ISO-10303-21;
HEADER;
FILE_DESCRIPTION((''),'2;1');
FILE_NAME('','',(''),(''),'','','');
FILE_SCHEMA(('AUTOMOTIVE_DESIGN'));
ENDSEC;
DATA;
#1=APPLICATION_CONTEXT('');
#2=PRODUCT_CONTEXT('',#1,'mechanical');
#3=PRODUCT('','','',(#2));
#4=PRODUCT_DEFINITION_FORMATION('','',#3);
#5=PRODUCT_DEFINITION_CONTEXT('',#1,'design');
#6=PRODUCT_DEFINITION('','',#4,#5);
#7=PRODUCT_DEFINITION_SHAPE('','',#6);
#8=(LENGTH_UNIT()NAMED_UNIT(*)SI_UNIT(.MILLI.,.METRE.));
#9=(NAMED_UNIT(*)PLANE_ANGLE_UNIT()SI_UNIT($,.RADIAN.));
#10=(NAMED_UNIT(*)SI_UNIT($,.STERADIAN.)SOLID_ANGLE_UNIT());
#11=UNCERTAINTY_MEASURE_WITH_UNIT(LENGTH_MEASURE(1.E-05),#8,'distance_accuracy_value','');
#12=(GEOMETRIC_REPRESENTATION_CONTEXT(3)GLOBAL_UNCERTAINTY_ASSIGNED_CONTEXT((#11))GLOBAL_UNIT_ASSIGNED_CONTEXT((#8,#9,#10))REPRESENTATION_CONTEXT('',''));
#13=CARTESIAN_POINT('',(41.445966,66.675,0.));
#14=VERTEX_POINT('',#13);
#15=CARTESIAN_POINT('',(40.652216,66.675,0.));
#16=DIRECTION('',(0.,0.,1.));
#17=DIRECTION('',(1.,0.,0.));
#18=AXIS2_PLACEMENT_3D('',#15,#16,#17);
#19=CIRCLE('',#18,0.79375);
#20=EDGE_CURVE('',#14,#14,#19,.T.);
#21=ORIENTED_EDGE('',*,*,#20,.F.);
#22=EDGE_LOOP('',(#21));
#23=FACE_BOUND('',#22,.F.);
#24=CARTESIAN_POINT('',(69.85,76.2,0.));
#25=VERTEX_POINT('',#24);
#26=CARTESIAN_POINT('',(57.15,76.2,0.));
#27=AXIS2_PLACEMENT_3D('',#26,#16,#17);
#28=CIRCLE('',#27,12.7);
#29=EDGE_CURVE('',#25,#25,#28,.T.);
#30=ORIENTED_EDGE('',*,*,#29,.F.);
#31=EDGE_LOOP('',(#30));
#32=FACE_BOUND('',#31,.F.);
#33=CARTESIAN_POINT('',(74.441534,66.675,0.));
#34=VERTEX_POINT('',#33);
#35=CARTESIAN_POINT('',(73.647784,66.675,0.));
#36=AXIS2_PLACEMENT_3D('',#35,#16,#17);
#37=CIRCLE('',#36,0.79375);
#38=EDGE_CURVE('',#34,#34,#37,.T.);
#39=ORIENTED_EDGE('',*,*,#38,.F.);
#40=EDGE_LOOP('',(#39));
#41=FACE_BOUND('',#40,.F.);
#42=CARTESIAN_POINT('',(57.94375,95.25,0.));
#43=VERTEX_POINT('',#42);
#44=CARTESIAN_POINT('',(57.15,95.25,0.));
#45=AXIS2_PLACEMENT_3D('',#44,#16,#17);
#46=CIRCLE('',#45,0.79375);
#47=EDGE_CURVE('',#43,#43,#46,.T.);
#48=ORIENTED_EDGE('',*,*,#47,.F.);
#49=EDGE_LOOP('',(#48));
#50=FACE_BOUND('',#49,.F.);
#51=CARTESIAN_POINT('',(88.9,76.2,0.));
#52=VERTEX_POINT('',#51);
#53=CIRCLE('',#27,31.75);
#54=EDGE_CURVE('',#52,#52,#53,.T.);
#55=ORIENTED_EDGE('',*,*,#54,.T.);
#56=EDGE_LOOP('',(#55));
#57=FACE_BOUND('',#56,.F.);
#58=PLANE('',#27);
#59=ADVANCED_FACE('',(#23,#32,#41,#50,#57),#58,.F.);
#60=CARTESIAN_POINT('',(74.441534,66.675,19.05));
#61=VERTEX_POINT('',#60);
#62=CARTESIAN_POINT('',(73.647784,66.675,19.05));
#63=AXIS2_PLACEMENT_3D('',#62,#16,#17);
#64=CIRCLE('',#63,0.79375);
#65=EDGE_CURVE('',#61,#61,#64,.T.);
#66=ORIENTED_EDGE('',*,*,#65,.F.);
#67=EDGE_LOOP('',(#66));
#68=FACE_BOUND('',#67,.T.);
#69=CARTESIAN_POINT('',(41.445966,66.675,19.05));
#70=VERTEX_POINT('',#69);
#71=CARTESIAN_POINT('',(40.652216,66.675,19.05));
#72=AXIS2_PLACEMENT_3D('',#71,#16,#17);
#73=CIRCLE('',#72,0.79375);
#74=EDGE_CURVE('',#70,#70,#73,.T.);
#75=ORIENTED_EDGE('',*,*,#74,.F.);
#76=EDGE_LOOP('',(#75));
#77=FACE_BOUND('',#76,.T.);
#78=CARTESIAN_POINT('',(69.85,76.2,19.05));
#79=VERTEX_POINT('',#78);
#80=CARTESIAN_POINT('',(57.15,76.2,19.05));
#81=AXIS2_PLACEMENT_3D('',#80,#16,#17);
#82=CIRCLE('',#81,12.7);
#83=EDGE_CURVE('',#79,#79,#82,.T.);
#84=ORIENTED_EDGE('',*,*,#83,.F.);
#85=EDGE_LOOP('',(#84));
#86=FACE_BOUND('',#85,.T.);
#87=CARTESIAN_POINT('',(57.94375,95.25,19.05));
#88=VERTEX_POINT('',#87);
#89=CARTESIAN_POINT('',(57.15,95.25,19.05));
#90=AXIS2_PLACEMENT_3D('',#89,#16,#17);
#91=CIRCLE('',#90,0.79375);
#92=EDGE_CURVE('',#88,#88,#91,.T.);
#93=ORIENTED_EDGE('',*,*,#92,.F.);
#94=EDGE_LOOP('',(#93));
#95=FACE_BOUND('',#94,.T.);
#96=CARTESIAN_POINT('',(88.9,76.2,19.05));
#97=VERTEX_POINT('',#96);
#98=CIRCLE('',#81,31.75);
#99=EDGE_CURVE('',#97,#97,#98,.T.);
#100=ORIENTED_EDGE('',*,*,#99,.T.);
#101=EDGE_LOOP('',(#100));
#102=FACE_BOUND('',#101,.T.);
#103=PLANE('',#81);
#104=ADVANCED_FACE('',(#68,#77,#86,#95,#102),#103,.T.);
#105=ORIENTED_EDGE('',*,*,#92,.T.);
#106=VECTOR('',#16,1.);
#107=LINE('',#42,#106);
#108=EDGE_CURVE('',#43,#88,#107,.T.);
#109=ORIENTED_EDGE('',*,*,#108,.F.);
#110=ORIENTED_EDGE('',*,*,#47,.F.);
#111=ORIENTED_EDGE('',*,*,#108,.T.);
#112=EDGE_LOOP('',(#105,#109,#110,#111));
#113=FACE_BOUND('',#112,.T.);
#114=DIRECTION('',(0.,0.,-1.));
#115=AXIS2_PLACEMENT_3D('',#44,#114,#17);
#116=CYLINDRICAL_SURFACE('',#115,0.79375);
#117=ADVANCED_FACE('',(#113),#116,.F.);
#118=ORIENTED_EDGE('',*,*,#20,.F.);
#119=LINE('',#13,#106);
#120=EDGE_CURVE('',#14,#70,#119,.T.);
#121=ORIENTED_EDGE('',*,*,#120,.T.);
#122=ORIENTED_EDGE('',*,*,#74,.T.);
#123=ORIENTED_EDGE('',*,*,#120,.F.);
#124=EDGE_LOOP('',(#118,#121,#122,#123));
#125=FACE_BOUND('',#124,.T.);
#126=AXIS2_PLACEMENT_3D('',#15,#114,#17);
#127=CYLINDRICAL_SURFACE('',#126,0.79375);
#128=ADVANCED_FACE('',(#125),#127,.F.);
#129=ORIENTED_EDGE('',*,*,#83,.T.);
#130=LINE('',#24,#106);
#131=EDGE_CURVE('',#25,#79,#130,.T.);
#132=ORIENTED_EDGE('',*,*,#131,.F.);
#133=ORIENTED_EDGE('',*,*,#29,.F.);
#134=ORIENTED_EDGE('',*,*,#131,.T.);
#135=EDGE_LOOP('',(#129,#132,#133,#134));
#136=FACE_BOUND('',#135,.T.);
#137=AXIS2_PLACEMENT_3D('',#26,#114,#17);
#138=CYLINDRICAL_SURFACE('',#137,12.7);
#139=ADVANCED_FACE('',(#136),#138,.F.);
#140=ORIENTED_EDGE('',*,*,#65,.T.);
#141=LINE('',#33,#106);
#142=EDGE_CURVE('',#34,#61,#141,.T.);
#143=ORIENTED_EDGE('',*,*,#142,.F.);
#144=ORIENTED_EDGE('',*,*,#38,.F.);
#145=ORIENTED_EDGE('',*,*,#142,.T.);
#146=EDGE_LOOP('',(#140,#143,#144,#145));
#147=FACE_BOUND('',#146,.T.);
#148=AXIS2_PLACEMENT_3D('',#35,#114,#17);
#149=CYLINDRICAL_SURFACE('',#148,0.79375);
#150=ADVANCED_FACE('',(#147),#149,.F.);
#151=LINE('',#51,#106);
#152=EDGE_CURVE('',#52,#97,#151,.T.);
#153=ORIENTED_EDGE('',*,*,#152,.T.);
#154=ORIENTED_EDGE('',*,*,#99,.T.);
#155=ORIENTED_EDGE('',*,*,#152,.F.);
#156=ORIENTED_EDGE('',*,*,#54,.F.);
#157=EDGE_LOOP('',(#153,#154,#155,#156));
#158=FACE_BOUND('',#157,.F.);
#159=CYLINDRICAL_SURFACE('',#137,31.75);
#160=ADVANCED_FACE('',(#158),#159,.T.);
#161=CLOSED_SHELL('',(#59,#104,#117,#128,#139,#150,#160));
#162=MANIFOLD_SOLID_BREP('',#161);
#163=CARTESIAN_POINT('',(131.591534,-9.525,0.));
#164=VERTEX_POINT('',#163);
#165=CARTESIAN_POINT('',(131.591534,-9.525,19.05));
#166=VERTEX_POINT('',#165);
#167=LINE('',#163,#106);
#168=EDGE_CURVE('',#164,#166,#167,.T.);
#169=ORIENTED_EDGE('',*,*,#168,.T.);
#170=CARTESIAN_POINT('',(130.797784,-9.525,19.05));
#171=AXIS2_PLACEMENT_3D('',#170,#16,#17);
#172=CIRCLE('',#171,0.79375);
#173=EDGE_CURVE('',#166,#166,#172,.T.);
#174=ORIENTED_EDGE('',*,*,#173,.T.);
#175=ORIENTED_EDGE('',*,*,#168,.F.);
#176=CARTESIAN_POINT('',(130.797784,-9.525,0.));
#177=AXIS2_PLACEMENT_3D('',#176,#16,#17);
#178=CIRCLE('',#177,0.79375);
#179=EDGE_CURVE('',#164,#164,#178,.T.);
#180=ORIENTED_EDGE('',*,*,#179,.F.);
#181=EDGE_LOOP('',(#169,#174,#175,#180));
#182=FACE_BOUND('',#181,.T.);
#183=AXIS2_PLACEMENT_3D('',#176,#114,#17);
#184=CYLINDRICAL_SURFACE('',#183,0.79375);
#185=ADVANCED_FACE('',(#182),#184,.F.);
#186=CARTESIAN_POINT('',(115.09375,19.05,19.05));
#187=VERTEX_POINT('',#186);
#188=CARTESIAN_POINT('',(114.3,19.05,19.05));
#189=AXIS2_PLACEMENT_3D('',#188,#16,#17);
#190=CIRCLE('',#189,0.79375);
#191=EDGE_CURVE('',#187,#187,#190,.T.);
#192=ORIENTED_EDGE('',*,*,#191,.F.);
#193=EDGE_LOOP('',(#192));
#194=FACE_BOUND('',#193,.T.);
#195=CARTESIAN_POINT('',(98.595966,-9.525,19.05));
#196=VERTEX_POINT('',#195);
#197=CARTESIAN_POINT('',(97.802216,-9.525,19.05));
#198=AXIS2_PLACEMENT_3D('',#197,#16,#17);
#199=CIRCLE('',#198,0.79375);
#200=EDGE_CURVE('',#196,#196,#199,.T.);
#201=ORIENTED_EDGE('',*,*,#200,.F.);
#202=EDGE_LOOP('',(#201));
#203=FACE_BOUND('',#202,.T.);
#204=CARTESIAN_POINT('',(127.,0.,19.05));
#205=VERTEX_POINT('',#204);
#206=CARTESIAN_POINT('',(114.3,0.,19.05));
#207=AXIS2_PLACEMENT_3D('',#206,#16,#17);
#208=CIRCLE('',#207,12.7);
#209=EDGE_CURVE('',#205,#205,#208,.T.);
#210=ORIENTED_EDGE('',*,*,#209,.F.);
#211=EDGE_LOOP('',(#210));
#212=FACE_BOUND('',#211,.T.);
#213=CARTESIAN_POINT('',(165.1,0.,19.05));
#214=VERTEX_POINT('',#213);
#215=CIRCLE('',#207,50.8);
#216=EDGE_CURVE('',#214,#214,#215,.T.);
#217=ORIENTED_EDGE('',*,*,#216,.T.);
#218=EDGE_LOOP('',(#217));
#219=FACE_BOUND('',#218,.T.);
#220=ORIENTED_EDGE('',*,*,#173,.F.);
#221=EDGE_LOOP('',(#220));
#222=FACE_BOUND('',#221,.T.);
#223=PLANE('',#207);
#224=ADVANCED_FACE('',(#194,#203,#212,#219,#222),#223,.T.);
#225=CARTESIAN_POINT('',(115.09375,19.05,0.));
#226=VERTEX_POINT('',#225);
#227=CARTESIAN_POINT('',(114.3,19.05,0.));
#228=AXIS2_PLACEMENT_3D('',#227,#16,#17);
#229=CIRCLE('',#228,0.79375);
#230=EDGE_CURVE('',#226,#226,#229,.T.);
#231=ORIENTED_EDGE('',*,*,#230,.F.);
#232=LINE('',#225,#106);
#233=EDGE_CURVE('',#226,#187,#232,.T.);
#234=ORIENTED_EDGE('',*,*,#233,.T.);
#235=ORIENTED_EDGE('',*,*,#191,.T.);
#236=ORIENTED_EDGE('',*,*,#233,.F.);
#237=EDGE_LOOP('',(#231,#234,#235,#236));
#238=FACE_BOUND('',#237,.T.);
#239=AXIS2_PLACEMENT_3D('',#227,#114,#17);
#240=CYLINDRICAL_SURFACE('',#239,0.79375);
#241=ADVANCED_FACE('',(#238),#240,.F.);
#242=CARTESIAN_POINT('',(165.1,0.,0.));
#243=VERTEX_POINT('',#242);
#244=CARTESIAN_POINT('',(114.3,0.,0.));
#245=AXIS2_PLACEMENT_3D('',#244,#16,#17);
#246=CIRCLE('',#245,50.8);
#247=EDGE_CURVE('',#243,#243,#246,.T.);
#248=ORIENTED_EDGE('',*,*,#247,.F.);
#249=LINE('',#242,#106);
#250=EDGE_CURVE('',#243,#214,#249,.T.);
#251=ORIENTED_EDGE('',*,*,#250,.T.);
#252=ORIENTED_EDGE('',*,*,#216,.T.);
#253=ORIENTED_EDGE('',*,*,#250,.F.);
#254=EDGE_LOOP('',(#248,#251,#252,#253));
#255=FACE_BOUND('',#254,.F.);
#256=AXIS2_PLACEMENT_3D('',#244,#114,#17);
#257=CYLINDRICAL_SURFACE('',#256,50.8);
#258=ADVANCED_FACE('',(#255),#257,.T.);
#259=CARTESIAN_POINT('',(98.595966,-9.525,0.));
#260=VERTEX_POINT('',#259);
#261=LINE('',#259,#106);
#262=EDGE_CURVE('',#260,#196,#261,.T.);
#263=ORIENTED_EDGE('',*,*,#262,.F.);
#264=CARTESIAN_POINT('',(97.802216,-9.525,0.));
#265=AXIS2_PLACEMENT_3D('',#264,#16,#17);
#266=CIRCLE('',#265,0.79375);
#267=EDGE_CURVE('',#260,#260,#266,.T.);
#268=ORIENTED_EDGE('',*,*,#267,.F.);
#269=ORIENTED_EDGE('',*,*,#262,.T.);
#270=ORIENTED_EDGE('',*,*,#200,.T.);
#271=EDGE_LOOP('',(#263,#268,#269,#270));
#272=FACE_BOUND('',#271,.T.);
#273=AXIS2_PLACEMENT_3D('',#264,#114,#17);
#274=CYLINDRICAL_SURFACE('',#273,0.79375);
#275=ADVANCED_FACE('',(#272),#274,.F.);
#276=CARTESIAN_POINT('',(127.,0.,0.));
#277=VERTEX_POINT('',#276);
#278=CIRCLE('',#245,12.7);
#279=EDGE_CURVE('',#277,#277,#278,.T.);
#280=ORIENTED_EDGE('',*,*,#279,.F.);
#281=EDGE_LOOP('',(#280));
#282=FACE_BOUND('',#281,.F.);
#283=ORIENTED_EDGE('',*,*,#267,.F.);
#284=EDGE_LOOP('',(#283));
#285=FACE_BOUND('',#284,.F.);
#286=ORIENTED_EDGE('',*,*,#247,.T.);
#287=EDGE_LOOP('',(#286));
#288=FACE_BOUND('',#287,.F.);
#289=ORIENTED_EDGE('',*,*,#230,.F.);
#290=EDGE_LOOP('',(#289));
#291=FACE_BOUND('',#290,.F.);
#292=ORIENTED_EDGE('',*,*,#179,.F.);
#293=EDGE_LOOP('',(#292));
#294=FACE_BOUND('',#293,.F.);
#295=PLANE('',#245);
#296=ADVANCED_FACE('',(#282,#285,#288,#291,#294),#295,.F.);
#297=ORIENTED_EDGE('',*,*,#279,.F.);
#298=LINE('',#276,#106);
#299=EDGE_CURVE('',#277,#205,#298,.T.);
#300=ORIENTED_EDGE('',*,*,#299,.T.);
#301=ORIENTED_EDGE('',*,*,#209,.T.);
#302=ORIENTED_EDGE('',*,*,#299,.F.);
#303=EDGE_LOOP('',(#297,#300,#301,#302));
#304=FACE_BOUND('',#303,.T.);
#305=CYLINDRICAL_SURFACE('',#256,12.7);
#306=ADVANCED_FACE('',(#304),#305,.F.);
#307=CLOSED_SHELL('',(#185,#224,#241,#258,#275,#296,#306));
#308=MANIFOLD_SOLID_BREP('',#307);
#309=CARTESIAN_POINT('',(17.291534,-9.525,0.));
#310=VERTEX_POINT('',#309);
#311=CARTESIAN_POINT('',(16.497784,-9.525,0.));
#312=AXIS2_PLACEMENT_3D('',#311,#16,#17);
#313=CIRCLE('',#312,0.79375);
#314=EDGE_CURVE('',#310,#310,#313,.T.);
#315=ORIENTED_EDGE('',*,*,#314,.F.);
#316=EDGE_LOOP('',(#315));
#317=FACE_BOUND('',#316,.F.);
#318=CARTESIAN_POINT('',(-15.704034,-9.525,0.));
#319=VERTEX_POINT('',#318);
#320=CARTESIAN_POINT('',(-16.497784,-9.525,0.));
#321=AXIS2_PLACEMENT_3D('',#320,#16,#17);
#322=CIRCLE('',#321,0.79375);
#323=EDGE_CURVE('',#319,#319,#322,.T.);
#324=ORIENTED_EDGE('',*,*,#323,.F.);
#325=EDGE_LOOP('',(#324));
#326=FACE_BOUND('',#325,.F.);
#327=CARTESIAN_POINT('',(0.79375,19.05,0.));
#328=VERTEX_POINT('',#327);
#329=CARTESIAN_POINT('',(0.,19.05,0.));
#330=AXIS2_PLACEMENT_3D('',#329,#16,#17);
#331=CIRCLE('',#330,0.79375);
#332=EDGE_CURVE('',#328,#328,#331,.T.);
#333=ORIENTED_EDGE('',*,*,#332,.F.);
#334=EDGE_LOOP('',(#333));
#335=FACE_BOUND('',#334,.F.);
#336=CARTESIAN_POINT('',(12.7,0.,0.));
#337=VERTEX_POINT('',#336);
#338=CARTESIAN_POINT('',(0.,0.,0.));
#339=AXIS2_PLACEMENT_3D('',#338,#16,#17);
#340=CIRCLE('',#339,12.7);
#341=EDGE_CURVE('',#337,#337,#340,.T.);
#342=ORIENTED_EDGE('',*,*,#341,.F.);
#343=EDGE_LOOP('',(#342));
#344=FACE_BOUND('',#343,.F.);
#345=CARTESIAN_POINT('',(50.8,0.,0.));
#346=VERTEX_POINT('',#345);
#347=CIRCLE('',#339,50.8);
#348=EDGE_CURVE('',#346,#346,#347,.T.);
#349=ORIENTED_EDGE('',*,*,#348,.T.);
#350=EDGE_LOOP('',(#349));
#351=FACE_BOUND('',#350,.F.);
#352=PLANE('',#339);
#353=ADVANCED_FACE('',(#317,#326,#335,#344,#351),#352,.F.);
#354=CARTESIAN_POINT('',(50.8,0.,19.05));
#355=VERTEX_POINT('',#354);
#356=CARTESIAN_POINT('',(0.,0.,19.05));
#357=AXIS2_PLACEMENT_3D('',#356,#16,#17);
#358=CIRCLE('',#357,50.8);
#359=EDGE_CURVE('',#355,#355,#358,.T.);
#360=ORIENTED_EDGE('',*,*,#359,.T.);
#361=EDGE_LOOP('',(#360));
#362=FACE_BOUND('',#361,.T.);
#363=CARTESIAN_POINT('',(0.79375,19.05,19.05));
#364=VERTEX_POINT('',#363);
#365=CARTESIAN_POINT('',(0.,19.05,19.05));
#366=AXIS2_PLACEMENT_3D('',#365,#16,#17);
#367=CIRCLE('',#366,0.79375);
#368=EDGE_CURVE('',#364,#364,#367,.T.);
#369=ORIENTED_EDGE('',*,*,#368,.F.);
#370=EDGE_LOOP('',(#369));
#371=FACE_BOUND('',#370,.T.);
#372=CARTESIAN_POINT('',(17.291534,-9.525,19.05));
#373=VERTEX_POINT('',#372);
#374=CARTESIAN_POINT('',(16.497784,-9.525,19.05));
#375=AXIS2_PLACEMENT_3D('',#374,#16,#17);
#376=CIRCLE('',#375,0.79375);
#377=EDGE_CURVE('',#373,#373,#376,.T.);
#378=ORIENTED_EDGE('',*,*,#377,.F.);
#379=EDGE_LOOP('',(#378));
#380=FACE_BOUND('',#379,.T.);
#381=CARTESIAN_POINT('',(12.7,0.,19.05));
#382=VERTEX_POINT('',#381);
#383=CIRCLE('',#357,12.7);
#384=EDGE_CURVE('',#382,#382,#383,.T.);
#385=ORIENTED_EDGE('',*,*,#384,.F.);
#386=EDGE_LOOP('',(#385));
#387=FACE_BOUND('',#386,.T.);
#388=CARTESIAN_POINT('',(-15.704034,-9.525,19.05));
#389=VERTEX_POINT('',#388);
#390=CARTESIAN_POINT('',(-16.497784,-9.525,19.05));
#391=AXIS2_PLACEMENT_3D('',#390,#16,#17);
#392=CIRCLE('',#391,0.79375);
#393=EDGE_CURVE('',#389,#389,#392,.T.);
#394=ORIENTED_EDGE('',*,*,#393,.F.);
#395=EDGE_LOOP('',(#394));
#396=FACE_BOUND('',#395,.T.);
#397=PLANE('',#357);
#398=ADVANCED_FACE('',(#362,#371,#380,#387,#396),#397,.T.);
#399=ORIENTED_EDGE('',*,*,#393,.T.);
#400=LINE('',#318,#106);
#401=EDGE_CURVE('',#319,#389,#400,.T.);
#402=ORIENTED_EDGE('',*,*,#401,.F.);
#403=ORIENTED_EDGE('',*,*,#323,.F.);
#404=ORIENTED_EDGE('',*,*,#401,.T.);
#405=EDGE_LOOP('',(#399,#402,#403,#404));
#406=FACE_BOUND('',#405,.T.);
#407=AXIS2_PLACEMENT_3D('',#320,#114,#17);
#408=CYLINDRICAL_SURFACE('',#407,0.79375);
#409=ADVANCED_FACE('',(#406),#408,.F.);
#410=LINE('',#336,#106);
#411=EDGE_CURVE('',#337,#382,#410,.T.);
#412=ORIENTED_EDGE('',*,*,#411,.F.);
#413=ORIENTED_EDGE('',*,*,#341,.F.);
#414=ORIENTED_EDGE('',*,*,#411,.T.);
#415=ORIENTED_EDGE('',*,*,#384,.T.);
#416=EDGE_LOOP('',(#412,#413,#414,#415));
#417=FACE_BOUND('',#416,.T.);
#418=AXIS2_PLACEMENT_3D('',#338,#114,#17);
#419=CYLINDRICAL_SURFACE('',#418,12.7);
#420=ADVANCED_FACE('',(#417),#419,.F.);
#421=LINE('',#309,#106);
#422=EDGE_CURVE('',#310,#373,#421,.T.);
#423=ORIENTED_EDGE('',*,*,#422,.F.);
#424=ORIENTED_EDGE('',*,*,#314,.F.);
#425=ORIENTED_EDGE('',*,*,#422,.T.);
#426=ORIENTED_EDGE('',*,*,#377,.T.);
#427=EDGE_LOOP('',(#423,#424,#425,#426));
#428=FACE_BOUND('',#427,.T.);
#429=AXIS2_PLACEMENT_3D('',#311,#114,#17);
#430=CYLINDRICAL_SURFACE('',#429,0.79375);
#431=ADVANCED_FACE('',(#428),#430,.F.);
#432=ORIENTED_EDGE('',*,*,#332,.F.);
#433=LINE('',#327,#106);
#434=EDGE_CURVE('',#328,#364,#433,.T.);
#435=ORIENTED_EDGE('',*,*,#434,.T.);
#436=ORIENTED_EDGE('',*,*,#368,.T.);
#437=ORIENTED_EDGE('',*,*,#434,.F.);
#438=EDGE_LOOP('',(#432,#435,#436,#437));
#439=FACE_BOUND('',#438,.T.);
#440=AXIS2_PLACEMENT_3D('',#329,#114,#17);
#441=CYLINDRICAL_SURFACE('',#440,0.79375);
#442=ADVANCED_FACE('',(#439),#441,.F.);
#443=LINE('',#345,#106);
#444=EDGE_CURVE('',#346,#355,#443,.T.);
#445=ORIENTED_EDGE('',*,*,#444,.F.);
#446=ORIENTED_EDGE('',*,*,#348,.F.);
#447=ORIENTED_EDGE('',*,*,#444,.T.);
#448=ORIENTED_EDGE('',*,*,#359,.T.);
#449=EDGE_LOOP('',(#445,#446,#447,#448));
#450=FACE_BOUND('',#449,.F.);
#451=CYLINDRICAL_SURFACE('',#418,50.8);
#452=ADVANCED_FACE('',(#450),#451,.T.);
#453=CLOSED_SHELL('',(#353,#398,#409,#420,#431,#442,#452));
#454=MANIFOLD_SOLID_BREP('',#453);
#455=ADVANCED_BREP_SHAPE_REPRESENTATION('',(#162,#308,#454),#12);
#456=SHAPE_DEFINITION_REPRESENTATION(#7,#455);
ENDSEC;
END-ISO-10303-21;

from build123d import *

# Parameters (mm, degrees)
F0_R     = 50.8
F0_R_2   = 0.79375
F0_R_3   = 12.7
F0_R_4   = 31.75
F1_DEPTH = 19.05


with BuildPart() as f1:
    # F0 (on Top) → F1 (new body)
    with BuildSketch(Plane.XY):
        Circle(F0_R)
        with Locations((-16.497784, -9.525)):
            Circle(F0_R_2, mode=Mode.SUBTRACT)
        Circle(F0_R_3, mode=Mode.SUBTRACT)
        with Locations((0, 19.05)):
            Circle(F0_R_2, mode=Mode.SUBTRACT)
        with Locations((16.497784, -9.525)):
            Circle(F0_R_2, mode=Mode.SUBTRACT)
        with Locations((114.3, 0)):
            Circle(F0_R)
        with Locations((97.802216, -9.525)):
            Circle(F0_R_2, mode=Mode.SUBTRACT)
        with Locations((130.797784, -9.525)):
            Circle(F0_R_2, mode=Mode.SUBTRACT)
        with Locations((114.3, 0)):
            Circle(F0_R_3, mode=Mode.SUBTRACT)
        with Locations((114.3, 19.05)):
            Circle(F0_R_2, mode=Mode.SUBTRACT)
        with Locations((57.15, 76.2)):
            Circle(F0_R_4)
        with Locations((40.652216, 66.675)):
            Circle(F0_R_2, mode=Mode.SUBTRACT)
        with Locations((73.647784, 66.675)):
            Circle(F0_R_2, mode=Mode.SUBTRACT)
        with Locations((57.15, 76.2)):
            Circle(F0_R_3, mode=Mode.SUBTRACT)
        with Locations((57.15, 95.25)):
            Circle(F0_R_2, mode=Mode.SUBTRACT)
    extrude(amount=F1_DEPTH)


solid = f1.part
